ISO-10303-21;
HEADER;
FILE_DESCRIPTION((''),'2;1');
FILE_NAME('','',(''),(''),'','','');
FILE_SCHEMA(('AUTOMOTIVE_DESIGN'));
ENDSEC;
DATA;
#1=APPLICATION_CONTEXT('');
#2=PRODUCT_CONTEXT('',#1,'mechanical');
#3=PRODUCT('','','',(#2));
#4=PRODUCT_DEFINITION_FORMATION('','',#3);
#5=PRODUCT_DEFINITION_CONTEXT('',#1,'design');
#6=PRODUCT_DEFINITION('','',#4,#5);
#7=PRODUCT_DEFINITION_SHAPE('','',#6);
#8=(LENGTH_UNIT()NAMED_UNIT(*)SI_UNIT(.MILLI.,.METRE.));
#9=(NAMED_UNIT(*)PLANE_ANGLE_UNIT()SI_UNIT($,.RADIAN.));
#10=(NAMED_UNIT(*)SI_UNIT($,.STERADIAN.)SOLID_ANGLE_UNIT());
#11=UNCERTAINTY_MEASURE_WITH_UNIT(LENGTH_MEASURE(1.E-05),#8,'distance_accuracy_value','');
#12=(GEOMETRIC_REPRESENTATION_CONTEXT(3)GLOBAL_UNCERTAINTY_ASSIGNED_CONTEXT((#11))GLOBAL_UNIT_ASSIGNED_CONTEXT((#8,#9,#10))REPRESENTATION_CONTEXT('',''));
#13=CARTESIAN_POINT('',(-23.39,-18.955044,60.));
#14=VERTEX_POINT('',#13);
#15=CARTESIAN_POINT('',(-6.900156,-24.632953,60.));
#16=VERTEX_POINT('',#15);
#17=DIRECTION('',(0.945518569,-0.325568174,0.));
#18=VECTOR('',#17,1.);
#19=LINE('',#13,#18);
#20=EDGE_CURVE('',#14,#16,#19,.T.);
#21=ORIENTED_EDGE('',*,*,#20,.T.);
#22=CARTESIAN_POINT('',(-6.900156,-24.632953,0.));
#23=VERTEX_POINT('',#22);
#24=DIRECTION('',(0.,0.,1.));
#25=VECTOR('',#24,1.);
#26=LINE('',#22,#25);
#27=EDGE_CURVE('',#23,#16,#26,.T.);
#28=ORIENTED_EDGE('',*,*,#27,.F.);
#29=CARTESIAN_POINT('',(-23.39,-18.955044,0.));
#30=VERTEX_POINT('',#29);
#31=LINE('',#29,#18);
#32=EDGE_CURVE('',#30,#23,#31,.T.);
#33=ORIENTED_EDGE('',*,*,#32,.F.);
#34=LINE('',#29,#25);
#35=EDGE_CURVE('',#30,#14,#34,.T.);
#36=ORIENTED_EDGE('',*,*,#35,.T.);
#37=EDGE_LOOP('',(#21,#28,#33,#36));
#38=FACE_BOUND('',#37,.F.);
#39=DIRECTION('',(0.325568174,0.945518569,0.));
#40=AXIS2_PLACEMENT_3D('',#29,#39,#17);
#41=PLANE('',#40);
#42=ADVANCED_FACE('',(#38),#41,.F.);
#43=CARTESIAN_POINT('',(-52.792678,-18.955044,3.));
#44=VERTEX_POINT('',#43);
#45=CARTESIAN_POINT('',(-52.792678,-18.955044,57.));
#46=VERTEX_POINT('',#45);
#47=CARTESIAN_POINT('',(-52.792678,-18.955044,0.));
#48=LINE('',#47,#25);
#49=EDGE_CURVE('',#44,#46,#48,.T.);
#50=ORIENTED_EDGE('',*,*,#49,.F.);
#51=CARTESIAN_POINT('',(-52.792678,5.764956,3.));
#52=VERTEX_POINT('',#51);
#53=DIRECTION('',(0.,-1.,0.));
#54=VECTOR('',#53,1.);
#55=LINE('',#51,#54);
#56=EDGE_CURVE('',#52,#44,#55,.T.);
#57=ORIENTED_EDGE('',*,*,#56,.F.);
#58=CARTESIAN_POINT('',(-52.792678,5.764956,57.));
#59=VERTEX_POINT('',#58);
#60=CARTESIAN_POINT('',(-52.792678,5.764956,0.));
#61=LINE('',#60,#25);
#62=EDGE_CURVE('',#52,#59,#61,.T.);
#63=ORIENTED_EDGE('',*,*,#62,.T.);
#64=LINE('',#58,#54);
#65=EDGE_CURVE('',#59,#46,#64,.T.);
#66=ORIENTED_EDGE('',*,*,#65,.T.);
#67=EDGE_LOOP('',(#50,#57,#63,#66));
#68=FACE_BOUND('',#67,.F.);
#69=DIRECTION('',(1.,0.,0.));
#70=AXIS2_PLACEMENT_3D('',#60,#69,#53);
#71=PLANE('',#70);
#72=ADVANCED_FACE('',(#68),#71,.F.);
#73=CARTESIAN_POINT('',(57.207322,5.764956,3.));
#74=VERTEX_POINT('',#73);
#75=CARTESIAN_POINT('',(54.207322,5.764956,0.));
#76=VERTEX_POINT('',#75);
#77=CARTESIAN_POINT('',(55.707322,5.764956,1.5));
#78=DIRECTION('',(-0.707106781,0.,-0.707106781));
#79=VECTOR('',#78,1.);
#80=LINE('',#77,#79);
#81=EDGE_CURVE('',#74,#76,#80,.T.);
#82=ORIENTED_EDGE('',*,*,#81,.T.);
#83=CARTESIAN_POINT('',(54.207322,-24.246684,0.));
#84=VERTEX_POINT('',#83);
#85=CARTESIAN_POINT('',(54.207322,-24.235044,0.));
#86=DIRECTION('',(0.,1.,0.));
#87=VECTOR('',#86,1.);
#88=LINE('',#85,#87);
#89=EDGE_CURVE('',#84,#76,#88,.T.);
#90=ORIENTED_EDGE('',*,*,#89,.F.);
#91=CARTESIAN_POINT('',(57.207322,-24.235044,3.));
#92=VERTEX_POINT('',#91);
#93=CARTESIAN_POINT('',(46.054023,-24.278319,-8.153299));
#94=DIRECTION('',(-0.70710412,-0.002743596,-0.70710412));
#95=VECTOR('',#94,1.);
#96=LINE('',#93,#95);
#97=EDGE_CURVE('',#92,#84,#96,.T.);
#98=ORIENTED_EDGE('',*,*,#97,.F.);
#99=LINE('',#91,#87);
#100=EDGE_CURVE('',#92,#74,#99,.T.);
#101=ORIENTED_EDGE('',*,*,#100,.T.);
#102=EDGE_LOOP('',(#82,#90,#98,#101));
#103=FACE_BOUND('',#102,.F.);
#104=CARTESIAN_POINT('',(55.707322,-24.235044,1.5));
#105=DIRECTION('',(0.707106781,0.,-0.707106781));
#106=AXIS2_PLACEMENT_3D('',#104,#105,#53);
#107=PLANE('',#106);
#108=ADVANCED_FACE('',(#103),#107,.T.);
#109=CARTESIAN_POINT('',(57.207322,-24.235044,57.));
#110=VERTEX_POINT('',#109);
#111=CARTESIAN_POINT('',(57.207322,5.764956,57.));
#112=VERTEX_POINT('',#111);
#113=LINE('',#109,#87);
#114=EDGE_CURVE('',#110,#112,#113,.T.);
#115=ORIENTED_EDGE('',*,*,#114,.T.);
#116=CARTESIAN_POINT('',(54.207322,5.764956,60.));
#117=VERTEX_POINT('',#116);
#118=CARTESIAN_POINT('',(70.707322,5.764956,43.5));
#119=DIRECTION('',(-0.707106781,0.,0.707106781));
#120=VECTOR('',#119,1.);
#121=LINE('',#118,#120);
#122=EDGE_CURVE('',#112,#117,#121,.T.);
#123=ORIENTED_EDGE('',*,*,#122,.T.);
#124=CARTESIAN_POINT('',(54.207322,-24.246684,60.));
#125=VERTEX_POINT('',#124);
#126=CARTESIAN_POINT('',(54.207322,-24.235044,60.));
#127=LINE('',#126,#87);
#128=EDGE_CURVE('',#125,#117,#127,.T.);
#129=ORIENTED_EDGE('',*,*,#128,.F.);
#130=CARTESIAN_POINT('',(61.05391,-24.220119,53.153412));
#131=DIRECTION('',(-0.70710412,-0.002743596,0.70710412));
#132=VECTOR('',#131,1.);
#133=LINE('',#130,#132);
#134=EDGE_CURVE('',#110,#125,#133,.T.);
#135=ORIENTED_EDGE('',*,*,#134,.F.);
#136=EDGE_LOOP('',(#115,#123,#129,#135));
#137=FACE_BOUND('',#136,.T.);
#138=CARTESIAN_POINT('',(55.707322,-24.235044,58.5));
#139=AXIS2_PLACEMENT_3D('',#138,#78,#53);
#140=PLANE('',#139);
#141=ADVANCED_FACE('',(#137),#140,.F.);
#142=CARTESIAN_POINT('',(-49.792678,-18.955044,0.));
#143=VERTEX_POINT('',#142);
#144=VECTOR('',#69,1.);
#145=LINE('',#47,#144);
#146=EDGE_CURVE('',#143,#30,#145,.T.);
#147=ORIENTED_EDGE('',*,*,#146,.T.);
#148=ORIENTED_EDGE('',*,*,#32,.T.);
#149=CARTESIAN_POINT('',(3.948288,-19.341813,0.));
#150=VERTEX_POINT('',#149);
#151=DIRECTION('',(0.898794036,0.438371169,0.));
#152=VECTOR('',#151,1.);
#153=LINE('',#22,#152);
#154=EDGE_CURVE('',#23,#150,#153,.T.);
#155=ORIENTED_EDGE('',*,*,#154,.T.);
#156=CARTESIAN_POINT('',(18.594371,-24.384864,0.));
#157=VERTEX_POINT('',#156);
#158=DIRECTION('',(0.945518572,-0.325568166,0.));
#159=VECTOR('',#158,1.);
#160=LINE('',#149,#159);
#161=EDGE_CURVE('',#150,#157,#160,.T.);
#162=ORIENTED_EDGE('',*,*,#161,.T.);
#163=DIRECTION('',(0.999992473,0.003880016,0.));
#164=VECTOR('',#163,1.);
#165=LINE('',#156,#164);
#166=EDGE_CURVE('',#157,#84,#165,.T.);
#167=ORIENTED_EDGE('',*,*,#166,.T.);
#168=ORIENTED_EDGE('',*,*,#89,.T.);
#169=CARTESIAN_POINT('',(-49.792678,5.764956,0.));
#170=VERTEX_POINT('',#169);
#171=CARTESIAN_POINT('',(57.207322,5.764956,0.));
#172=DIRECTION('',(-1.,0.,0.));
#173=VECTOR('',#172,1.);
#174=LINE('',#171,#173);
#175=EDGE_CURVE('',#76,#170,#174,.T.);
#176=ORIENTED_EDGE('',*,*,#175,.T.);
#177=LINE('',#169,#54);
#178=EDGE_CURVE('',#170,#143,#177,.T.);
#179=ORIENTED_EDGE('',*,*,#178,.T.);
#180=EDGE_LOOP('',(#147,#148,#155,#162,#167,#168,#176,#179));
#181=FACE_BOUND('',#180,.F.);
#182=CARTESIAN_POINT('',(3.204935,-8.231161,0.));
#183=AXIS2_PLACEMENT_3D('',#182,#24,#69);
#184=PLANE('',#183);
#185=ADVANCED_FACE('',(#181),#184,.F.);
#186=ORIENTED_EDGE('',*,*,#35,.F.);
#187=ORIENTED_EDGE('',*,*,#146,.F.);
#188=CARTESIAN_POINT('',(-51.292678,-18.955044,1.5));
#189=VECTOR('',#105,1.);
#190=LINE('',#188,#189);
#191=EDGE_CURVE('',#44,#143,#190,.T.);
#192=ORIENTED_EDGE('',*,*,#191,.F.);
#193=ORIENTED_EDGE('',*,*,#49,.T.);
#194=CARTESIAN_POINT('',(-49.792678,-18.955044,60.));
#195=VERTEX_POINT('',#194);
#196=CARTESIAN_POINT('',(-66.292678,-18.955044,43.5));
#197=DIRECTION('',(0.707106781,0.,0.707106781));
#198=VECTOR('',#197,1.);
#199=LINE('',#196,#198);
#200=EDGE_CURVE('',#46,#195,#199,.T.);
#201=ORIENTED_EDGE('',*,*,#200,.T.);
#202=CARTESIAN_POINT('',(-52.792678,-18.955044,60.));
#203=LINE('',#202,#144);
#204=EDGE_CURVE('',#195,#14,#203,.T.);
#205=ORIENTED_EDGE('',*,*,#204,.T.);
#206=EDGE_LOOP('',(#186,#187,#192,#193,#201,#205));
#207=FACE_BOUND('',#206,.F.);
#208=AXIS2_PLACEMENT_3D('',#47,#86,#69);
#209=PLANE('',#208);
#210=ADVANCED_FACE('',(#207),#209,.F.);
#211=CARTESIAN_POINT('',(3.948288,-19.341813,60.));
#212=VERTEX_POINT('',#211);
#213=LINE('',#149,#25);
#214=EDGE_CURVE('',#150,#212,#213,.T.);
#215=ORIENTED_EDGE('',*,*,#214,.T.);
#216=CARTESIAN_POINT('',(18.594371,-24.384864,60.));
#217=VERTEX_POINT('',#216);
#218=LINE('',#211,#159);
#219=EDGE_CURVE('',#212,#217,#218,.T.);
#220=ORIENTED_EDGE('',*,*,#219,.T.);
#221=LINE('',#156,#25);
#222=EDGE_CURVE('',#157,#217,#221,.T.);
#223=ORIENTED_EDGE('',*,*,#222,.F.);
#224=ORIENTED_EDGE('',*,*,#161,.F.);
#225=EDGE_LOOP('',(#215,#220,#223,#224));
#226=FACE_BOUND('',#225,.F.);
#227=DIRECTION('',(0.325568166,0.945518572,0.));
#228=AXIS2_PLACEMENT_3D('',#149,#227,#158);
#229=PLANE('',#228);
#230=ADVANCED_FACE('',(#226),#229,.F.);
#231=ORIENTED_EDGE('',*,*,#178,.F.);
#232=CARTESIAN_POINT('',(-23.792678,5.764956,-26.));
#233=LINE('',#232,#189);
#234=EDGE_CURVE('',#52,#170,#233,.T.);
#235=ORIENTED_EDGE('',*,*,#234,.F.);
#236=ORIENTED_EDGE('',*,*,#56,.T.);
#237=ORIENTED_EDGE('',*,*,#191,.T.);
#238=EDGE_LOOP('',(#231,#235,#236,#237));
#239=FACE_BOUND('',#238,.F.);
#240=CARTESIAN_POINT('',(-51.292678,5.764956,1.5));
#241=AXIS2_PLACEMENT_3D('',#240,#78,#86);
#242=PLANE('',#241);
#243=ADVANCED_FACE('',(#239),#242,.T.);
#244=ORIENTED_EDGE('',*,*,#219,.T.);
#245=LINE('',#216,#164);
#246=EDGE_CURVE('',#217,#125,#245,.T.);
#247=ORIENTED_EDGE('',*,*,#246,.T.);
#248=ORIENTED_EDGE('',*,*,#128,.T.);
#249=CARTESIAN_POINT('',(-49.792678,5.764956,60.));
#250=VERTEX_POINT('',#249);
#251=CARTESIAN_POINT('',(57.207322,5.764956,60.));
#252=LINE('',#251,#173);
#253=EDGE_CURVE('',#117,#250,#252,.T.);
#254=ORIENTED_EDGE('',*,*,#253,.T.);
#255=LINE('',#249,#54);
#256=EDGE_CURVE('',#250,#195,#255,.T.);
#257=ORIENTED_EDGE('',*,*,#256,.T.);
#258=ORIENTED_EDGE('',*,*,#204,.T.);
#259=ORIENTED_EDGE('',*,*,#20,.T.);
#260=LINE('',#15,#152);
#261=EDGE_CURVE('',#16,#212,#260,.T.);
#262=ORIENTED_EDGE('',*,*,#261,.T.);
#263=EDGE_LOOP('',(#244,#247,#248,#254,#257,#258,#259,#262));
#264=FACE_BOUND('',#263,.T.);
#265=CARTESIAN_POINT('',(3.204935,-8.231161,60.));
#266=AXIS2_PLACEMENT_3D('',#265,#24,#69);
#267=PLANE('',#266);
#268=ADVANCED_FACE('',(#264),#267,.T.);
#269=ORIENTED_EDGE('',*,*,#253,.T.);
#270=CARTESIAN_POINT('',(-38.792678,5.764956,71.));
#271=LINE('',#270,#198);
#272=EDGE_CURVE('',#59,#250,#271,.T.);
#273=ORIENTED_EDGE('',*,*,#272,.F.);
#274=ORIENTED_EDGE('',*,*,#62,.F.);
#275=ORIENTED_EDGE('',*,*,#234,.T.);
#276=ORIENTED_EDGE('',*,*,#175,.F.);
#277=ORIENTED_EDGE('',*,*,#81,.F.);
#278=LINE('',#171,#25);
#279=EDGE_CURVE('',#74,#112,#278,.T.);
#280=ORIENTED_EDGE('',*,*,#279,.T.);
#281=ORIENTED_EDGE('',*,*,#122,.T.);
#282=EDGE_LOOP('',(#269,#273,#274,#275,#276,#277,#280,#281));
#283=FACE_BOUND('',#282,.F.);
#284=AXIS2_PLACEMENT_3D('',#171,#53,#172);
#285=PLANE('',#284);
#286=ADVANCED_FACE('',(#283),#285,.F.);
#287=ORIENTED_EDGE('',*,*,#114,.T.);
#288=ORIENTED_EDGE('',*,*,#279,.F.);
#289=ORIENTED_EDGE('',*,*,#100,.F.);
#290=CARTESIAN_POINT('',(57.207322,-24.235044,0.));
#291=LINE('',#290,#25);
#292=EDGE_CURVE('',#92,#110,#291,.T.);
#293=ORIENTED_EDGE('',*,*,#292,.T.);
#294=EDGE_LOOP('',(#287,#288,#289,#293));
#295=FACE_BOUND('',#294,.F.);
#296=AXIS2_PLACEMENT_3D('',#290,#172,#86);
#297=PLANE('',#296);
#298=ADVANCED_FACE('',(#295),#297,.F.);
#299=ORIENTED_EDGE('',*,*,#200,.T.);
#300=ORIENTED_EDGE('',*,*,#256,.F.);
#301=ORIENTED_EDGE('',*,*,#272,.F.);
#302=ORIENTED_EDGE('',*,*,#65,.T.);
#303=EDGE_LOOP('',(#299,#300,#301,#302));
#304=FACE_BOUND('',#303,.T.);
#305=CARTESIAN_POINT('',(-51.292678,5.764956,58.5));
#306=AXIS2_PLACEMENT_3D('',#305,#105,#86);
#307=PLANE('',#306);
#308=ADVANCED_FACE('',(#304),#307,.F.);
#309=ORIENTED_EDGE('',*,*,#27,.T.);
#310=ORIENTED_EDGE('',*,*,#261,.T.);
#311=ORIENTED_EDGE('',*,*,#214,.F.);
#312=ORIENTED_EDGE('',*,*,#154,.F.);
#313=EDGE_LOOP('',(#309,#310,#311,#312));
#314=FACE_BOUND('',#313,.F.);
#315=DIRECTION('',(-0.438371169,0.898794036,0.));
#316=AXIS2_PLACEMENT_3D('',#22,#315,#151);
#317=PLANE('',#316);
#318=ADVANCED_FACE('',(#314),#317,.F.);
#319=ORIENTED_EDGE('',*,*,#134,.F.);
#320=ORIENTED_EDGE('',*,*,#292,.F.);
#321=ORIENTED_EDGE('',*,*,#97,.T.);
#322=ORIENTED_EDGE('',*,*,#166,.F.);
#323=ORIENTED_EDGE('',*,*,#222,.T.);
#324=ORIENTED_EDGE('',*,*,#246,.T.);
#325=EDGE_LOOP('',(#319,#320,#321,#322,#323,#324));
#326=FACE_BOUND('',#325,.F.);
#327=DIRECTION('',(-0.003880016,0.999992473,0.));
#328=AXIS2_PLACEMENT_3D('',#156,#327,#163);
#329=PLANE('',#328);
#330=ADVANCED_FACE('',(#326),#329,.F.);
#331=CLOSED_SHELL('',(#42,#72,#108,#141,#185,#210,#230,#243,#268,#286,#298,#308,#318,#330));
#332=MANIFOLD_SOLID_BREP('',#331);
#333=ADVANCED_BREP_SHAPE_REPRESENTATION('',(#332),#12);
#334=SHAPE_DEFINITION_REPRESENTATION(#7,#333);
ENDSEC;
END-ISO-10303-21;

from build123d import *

# Parameters (mm, degrees)
F1_DEPTH = 60
F2_SIZE  = 3


with BuildPart() as f1:
    # F0 (on Top) → F1 (new body)
    with BuildSketch(Plane.XY):
        Polygon((57.207322, 5.764956), (-52.792678, 5.764956), (-52.792678, -18.955044), (-23.39, -18.955044), (-6.900156, -24.632953), (3.948288, -19.341813), (18.594371, -24.384864), (57.207322, -24.235044), align=None)
    extrude(amount=F1_DEPTH)

    # F2
    f2_edges = [f1.edges().sort_by_distance(p)[0] for p in [
        (-52.792678, -6.595044, 60),
        (-52.792678, -6.595044, 0),
        (57.207322, -9.235044, 60),
        (57.207322, -9.235044, 0),
    ]]
    chamfer(f2_edges, length=F2_SIZE)


solid = f1.part
